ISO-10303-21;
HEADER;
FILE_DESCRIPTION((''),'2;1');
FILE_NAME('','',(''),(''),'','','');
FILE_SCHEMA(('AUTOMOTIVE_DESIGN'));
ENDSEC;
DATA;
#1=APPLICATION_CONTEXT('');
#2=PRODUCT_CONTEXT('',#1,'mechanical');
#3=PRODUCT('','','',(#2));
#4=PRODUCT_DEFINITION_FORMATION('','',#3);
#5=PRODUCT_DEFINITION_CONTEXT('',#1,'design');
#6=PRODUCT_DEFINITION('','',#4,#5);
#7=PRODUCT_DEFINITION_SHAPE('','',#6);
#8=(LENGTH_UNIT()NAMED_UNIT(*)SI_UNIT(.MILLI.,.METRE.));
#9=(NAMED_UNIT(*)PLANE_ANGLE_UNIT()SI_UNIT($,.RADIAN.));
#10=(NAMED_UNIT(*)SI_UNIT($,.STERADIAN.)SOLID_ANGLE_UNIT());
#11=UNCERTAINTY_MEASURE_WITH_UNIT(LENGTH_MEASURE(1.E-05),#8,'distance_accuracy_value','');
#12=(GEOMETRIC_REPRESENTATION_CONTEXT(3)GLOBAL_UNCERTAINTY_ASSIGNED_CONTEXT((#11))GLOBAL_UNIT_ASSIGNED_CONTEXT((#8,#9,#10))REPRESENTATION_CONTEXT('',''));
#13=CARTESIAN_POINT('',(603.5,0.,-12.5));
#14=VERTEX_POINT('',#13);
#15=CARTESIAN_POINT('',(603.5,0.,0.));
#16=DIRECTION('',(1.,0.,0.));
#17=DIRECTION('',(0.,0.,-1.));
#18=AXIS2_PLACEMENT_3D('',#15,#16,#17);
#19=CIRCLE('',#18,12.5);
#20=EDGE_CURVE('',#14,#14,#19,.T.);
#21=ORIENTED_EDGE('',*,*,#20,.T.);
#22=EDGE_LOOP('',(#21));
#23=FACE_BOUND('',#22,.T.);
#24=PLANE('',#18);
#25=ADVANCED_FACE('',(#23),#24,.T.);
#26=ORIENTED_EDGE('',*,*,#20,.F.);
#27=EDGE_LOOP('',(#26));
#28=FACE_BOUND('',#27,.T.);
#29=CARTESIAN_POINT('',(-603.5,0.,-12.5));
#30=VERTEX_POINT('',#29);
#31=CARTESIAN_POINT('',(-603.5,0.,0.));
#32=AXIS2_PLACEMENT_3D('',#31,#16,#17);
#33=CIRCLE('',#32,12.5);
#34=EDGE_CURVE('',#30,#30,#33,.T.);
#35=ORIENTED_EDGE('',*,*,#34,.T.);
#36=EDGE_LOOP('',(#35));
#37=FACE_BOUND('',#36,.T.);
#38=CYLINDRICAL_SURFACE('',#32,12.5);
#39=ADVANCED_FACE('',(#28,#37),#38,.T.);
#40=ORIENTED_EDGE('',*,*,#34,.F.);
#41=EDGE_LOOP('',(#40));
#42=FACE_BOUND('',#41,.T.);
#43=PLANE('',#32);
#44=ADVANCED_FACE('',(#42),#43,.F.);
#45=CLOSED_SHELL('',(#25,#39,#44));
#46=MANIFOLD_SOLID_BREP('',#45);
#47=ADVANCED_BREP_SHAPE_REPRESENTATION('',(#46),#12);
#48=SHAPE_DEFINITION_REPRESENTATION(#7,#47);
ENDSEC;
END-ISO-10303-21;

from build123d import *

# Parameters (mm, degrees)
BOSS_EXTRUDE1_DEPTH      = 603.5
BOSS_EXTRUDE1_DEPTH_BACK = 603.5
SKETCH1_R                = 12.5


with BuildPart() as part:
    # Sketch1 → Boss-Extrude1 (new, two sides: drawn at the far end of the back side and taken through both)
    with BuildSketch(Plane(origin=(0, 0, 0), x_dir=(0, 0, -1), z_dir=(1, 0, 0)).offset(-BOSS_EXTRUDE1_DEPTH_BACK)):
        Circle(SKETCH1_R)
    extrude(amount=BOSS_EXTRUDE1_DEPTH + BOSS_EXTRUDE1_DEPTH_BACK)


solid = part.part
